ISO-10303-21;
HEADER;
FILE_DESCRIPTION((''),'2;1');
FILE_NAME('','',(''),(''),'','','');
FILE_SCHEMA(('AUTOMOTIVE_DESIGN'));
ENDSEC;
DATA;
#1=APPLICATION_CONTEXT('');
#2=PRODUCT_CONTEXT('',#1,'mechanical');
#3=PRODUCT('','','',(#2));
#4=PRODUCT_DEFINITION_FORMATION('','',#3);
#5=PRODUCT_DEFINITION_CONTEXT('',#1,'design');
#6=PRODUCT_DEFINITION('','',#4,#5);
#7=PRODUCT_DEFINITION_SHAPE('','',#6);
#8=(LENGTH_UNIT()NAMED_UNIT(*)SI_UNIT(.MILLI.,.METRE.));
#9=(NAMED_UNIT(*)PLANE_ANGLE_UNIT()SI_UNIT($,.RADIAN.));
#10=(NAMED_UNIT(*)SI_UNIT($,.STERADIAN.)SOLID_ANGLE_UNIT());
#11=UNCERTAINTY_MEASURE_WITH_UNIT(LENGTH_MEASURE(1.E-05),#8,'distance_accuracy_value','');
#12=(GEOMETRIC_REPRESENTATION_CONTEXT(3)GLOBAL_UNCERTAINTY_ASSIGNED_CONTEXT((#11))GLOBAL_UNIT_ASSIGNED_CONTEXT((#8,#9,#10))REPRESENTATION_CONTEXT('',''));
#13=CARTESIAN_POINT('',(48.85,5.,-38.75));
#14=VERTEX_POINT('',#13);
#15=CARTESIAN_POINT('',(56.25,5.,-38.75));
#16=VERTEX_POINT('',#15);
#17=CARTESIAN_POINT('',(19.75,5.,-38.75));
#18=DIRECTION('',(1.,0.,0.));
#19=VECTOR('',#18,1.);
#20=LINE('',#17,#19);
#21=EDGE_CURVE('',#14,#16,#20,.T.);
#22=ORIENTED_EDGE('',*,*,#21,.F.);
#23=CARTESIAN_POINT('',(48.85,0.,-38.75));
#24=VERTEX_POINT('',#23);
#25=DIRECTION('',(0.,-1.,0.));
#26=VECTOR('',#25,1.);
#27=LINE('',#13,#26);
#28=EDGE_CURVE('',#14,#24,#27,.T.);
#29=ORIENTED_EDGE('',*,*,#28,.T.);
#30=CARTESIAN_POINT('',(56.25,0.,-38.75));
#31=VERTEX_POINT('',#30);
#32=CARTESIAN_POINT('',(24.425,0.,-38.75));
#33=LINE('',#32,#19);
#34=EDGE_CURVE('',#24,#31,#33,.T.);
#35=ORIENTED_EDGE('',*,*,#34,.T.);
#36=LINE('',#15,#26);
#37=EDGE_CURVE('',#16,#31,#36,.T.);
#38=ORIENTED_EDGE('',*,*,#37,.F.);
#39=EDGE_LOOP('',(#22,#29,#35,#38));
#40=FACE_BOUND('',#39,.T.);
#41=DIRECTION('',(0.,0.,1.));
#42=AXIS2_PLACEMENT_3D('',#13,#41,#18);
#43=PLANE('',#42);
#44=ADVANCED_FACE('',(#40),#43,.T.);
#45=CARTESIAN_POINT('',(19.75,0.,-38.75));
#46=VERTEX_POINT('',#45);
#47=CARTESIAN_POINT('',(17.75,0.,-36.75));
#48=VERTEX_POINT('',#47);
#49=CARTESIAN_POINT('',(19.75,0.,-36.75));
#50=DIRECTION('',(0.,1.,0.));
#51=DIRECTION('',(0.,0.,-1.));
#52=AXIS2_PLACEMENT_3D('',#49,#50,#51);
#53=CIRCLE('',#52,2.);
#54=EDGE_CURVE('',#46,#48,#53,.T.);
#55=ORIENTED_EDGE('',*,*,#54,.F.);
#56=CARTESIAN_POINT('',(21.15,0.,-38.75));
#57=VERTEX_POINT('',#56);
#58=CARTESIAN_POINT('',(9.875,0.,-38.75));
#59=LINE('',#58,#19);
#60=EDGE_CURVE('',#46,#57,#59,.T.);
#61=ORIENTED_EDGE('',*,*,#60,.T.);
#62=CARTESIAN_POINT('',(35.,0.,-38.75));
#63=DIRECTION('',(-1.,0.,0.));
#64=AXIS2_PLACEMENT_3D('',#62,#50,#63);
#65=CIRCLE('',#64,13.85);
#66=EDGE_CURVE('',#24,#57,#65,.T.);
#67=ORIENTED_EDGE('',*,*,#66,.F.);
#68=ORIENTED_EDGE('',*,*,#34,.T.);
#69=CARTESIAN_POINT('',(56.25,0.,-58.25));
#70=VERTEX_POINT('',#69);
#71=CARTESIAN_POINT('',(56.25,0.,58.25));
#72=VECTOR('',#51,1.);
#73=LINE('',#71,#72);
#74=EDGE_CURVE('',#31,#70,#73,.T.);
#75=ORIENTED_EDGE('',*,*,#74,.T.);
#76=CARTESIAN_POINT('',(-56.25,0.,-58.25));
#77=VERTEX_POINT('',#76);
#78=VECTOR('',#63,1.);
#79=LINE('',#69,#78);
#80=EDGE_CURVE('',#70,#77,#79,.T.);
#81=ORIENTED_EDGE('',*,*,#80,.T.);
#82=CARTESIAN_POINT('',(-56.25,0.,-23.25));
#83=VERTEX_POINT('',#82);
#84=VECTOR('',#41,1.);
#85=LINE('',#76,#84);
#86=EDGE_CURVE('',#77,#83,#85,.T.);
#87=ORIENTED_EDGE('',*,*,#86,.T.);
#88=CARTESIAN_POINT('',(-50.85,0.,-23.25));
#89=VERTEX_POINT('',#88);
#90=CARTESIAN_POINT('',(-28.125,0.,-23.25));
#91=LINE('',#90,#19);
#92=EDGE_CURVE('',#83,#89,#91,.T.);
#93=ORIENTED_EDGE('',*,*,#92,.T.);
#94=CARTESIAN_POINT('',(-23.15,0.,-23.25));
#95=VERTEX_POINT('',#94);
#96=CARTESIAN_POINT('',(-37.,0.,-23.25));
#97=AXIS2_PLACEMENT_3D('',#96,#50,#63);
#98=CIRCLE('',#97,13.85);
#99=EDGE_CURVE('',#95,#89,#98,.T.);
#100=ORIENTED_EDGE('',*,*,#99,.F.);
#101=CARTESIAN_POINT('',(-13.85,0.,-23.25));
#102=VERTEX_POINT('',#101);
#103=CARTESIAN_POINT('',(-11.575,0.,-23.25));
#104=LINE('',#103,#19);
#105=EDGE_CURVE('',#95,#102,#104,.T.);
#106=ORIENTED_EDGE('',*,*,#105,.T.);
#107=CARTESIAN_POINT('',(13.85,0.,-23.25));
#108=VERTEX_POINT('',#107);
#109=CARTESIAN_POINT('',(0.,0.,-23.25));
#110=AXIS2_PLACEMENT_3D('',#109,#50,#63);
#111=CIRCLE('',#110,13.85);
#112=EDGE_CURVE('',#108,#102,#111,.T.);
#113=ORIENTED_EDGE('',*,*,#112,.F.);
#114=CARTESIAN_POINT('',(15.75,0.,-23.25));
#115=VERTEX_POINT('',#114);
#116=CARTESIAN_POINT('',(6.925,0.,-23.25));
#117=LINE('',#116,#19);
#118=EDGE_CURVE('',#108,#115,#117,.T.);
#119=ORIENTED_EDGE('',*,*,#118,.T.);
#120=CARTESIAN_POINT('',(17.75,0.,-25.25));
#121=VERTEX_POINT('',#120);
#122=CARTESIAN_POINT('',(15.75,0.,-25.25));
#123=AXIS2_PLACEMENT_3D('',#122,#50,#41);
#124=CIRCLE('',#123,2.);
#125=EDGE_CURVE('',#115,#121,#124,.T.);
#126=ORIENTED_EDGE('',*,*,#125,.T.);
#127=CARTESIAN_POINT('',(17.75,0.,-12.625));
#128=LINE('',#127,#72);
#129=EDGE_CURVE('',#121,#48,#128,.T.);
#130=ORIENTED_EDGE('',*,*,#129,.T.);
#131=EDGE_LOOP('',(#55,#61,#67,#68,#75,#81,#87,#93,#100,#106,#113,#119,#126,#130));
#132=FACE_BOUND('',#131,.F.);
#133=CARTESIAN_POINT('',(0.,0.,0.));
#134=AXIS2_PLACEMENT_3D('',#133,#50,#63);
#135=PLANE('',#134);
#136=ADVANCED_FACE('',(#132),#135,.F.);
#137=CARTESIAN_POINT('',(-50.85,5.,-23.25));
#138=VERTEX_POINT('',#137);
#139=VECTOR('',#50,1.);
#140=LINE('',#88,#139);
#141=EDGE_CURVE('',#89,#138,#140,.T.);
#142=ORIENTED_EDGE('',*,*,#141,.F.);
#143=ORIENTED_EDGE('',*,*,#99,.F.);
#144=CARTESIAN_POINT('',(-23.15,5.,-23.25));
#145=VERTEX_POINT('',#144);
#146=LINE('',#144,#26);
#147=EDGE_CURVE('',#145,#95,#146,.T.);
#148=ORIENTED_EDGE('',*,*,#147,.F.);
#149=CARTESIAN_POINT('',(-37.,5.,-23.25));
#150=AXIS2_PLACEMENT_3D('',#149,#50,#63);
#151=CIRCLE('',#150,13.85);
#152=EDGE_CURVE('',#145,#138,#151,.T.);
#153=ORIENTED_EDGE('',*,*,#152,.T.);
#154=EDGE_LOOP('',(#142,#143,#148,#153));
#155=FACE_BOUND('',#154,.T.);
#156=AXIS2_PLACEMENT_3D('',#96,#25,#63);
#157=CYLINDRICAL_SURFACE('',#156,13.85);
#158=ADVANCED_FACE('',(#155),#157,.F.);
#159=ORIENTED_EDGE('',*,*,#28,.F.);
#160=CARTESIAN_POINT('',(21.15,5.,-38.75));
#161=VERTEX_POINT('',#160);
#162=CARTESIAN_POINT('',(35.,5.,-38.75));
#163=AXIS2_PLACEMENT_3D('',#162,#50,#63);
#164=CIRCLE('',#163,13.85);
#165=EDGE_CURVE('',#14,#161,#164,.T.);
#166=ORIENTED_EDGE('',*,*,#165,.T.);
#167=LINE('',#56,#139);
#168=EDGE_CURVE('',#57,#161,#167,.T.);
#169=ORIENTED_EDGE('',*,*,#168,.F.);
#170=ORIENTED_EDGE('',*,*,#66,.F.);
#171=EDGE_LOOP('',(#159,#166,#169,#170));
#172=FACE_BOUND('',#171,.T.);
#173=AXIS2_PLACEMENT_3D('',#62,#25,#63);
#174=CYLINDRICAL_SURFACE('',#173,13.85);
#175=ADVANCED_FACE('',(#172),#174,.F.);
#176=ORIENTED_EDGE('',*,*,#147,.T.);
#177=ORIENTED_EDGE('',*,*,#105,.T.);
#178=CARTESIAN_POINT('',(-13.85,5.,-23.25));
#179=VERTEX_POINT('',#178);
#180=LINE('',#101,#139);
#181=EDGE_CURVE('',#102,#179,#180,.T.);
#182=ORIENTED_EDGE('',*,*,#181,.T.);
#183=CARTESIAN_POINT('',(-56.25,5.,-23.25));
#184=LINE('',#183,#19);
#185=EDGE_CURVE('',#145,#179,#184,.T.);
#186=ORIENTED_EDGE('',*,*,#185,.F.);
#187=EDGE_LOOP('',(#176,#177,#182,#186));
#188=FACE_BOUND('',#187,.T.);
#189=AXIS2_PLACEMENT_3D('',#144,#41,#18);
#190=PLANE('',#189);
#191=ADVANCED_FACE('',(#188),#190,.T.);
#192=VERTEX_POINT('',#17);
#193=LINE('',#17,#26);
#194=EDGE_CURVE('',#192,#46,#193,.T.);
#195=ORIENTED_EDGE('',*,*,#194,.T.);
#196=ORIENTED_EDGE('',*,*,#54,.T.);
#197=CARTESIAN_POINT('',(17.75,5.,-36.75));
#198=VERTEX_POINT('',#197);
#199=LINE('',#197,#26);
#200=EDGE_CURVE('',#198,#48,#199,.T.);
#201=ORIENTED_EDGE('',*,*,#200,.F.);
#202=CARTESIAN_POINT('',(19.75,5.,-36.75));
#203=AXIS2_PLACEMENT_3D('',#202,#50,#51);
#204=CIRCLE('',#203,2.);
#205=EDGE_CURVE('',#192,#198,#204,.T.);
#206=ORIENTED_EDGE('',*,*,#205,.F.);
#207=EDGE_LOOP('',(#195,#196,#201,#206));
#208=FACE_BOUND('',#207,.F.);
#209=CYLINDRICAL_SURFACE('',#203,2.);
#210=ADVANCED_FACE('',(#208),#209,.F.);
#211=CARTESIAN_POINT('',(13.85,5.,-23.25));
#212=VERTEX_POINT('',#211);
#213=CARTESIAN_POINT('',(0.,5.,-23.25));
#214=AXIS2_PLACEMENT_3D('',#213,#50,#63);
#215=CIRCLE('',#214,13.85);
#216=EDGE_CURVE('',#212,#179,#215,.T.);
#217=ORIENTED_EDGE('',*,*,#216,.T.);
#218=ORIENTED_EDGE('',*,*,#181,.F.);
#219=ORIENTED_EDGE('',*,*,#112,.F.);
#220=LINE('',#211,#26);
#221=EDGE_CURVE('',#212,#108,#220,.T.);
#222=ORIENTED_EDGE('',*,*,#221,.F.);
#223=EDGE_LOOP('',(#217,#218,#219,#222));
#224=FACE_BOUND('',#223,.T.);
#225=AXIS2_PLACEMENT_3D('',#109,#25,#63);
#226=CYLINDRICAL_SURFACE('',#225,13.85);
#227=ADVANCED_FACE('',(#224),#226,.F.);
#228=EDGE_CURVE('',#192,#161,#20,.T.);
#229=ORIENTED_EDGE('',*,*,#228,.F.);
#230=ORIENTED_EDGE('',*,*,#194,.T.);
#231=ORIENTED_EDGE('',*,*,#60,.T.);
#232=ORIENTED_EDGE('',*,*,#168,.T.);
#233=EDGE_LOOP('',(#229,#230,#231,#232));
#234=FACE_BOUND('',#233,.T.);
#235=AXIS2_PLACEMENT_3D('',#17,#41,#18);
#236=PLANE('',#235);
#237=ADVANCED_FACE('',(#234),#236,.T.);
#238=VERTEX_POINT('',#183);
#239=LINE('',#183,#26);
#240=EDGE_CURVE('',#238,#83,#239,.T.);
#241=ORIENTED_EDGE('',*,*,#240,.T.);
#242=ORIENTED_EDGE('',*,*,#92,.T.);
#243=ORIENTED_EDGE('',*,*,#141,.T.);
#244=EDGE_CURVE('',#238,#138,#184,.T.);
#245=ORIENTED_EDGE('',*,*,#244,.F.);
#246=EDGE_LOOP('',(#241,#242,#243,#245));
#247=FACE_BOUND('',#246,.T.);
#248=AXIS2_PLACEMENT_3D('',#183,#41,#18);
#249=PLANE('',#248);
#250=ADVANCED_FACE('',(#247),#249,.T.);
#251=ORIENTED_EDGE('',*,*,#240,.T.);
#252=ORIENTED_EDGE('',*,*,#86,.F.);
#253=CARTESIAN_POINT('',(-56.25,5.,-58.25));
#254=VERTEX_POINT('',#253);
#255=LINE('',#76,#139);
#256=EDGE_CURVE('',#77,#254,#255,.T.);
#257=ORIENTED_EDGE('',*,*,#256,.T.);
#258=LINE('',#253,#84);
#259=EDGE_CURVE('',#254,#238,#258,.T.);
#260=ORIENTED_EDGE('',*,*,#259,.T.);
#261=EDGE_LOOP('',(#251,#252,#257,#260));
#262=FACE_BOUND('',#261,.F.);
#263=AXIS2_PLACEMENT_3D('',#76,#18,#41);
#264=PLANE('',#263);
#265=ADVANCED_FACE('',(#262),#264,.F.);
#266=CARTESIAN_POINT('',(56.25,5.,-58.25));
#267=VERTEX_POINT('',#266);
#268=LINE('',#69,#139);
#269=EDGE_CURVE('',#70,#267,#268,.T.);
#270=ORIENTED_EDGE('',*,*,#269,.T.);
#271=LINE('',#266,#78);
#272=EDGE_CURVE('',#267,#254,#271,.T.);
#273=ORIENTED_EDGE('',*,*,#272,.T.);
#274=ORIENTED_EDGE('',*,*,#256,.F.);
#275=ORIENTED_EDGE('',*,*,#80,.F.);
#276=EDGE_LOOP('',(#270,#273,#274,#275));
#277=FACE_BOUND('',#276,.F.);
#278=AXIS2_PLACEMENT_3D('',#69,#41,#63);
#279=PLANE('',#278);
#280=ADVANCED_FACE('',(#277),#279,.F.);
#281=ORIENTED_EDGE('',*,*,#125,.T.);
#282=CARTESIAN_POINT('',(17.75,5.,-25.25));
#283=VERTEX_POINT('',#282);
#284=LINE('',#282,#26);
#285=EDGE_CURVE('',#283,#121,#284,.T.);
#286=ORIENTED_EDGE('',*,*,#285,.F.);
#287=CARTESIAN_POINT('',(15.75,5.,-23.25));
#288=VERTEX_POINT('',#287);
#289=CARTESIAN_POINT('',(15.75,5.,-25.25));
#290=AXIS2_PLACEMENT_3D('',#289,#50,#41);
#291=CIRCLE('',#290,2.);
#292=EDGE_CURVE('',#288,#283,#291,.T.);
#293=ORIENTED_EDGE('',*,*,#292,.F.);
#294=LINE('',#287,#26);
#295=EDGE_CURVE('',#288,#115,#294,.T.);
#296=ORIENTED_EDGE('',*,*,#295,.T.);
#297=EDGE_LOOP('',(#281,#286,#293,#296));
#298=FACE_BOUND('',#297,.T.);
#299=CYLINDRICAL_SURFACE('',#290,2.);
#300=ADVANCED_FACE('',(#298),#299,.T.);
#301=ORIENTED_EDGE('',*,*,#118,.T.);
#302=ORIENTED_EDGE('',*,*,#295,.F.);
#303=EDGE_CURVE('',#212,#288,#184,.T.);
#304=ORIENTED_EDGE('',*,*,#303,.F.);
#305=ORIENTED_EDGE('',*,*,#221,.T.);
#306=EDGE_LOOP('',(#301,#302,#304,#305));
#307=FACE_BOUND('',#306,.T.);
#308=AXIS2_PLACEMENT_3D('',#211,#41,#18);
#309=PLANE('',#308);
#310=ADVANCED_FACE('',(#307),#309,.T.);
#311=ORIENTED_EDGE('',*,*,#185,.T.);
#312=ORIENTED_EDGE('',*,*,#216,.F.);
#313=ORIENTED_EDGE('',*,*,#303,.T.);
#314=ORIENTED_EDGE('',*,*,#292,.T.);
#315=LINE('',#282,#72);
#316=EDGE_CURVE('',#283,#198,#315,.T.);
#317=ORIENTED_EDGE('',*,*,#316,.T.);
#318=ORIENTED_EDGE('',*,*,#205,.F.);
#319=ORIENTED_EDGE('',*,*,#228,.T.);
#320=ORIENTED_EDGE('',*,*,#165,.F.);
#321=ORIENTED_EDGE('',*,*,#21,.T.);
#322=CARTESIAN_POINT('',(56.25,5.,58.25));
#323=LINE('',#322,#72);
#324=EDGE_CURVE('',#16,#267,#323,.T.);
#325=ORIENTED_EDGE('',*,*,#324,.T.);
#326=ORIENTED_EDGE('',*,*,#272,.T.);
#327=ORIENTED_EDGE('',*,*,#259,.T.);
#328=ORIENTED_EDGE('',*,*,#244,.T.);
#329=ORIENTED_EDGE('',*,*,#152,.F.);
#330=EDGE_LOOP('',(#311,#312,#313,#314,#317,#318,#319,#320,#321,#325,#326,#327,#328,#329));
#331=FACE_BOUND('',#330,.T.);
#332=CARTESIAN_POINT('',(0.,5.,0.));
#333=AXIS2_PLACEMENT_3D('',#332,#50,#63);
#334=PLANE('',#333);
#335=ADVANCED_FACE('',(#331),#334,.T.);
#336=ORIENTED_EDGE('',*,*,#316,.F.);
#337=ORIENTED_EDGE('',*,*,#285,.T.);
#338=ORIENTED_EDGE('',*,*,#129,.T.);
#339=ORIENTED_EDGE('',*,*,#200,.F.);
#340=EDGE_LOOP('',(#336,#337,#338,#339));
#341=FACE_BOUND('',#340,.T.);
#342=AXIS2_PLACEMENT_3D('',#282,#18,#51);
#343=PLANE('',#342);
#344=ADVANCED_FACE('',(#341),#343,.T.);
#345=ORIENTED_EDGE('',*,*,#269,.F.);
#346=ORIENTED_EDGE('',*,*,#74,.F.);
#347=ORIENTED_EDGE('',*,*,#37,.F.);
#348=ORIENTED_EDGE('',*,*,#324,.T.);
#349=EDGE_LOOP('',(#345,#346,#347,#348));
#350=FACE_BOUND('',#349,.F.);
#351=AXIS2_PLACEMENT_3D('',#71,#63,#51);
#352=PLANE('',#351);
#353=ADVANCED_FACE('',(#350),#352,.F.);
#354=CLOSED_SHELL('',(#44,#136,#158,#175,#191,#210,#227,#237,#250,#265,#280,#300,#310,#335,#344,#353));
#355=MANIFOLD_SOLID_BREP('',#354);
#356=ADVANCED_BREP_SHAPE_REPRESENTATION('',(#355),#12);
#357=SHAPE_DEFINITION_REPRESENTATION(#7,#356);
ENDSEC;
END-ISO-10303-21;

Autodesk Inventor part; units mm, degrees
ref_plane "YZ Plane" through (0, 0, 0) normal (1, 0, 0) x (0, 1, 0)
ref_plane "XZ Plane" through (0, 0, 0) normal (0, 1, 0) x (-1, 0, 0)
ref_plane "XY Plane" through (0, 0, 0) normal (0, 0, 1) x (1, 0, 0)
sketch "Sketch1" plane through (0, 0, 0) normal (0, 1, 0) x (-1, 0, 0)
  circle A0 centre (18.5, 28) radius 23.85
  circle A1 centre (37, -23.25) radius 13.85
  circle A2 centre (-35, -38.75) radius 13.85
  circle A3 centre (-30.9, 25.8) radius 13.85
  circle A4 centre (0, -23.25) radius 13.85
  line L0 (56.25, 58.25) -> (-56.25, 58.25)
  line L1 (-56.25, -58.25) -> (56.25, -58.25)
  line L2 (0, -105.9299) -> (0, 123.2086) construction
  line L3 (-76.4777, -38.75) -> (-5.35, -38.75) construction
  line L4 (-123.5447, -23.25) -> (82.5572, -23.25) construction
  line L5 (56.25, -58.25) -> (56.25, 58.25)
  line L6 (56.25, 58.25) -> (56.25, -58.25)
  line L7 (-56.25, 58.25) -> (-56.25, -58.25)
  line L8 (100.0459, 28) -> (-13.85, 28) construction
  line L9 (-9.7154, 25.8) -> (-68.4996, 25.8) construction
  line L10 (18.5, 82.6038) -> (18.5, -4.654) construction
  line L11 (-30.9, 82.6038) -> (-30.9, 8.6393) construction
  line L12 (-46.6436, -58.25) -> (-56.25, -58.25) construction
  line L13 (-56.25, -58.25) -> (-56.25, -31.25) construction
  line L14 (-56.25, -31.25) -> (-46.6436, -31.25) construction
  line L15 (-46.6436, -31.25) -> (-46.6436, -58.25) construction
  line L16 (56.25, -58.25) -> (48.3059, -58.25) construction
  line L17 (48.3059, -58.25) -> (48.3059, -31.25) construction
  line L18 (48.3059, -31.25) -> (56.25, -31.25) construction
  line L19 (56.25, -31.25) -> (56.25, -58.25) construction
  point P0 (0, 0)
  point P1 (0, 0)
  dimension "d1" = 27.7
  dimension "d2" = 27.7
  dimension "d0" = 47.7
  dimension "d3" = 27.7
  dimension "d4" = 27.7
  dimension "d7" = 37
  dimension "d9" = 30.9
  dimension "d10" = 19.5
  dimension "d11" = 35
  dimension "d12" = 35
  dimension "d13" = 25.8
  dimension "d14" = 28
  dimension "d15" = 56.25
  dimension "d16" = 58.25
  dimension "d17" = 116.5
  dimension "d18" = 112.5
  dimension "d19" = 18.5
  dimension "d20" = 32.45
  dimension "d31" = 27
  dimension "d32" = 9.6064
  dimension "d33" = 27
  dimension "d34" = 7.9441
extrude "Extrusion1" add sketch "Sketch1" along normal blind 5
sketch "Sketch2" plane through (0, 5, 0) normal (0, 1, 0) x (1, 0, 0)
  line L0 (-56.25, 58.25) -> (-56.25, -58.25) projected
  line L1 (-56.25, -58.25) -> (56.25, -58.25) projected
  line L2 (56.25, -58.25) -> (56.25, 58.25) projected
  line L3 (56.25, 58.25) -> (-56.25, 58.25) projected
  circle A0 centre (0, 23.25) radius 13.85 projected
  circle A1 centre (30.9, -25.8) radius 13.85 projected
  circle A2 centre (35, 38.75) radius 13.85 projected
  circle A3 centre (-37, 23.25) radius 13.85 projected
  circle A4 centre (-18.5, -28) radius 23.85 projected
  line L4 (-56.25, 58.25) -> (-56.25, -58.25) projected
  line L5 (-56.25, 23.25) -> (15.75, 23.25)
  line L6 (19.75, 38.75) -> (56.25, 38.75)
  line L7 (56.25, -58.25) -> (56.25, 58.25) projected
  line L8 (17.75, 25.25) -> (17.75, 36.75)
  arc A5 (15.75, 23.25) -> (17.75, 25.25) centre (15.75, 25.25) ccw
  arc A6 (19.75, 38.75) -> (17.75, 36.75) centre (19.75, 36.75) ccw
  point P0 (0, 0)
  point P1 (17.75, 23.25)
  point P2 (17.75, 38.75)
  point P3 (48.85, 38.75)
  point P4 (21.15, 38.75)
  point P5 (13.85, 23.25)
  point P6 (-13.85, 23.25)
  point P7 (-23.15, 23.25)
  point P8 (-50.85, 23.25)
  dimension "d23" = 74
  dimension "d25" = 38.5
  dimension "d26" = 2
  dimension "d27" = 35
  dimension "d28" = 19.5
extrude "Extrusion2" cut sketch "Sketch2" against normal through all contours L5 A3 A0 A5 L8 A6 L6 A2 L2 L1 L0
properties part number "Top Bottle Back"
